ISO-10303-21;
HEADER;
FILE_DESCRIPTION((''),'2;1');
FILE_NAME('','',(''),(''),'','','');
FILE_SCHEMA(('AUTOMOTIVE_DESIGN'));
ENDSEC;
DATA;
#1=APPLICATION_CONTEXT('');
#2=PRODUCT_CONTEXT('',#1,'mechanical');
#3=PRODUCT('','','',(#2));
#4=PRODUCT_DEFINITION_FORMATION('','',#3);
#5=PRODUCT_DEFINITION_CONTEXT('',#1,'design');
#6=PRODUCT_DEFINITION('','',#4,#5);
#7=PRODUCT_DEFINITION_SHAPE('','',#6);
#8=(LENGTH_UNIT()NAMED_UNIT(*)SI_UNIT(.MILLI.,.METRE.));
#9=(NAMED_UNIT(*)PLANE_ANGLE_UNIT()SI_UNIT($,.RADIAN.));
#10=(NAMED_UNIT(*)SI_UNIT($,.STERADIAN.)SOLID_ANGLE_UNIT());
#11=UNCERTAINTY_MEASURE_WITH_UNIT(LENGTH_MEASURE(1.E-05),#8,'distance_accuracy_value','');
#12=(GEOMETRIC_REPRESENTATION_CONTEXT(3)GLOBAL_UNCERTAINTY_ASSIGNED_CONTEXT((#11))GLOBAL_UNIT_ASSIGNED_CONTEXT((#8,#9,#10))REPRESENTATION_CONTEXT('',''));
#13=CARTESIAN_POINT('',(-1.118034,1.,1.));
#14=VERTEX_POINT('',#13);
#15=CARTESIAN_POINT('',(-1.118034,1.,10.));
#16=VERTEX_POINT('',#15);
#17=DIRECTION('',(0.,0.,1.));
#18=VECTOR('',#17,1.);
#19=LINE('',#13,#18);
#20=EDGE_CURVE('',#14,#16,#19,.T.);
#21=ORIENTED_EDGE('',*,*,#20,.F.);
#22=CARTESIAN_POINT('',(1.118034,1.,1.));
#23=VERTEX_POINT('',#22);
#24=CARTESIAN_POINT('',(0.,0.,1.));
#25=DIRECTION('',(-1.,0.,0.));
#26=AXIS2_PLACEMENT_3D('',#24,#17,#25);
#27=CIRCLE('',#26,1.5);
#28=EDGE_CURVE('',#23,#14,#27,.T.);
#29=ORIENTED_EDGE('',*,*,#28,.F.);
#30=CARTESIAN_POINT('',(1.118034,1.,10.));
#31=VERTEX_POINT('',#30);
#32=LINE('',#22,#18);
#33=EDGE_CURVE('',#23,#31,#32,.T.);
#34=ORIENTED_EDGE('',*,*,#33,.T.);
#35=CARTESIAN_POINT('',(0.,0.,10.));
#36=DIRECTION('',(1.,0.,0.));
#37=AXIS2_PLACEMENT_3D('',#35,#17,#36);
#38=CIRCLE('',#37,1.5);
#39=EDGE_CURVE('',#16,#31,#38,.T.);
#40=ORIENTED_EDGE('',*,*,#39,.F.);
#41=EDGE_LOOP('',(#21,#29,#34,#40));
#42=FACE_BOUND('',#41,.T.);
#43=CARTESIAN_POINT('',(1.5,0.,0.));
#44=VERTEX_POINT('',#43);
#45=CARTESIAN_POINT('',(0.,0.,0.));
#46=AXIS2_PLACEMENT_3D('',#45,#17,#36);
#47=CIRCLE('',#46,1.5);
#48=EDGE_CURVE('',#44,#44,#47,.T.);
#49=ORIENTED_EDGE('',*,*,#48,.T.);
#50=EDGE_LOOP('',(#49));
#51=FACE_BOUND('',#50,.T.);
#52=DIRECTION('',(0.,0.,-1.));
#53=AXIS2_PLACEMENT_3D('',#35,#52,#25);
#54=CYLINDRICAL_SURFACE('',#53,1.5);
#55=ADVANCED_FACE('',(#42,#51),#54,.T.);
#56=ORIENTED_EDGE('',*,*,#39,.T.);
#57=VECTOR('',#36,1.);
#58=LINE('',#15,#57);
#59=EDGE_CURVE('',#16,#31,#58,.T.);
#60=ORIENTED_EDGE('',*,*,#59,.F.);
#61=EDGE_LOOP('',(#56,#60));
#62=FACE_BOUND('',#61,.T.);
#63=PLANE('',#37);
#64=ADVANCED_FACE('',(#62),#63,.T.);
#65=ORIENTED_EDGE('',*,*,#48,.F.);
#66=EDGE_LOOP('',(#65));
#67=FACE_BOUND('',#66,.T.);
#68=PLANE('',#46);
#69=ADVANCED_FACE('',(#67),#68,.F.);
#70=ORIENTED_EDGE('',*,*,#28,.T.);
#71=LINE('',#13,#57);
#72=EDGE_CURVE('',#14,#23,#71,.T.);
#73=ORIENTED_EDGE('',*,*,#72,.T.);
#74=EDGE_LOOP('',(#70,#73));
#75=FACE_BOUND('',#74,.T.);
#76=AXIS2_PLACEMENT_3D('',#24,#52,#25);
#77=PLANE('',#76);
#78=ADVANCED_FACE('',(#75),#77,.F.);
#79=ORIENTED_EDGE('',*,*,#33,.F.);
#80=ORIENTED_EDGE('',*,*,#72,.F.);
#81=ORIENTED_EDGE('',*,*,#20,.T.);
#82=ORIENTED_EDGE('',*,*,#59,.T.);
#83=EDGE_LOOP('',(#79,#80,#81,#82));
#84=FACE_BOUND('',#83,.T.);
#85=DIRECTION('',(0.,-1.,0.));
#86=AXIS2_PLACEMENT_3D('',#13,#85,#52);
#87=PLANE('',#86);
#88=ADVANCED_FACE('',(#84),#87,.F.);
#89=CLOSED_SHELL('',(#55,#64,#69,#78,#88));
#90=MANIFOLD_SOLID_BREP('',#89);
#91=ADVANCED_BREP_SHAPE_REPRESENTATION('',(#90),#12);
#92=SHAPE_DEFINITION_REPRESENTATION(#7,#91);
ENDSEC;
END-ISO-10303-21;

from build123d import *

# Parameters (mm, degrees)
SKETCH_1_R          = 1.5
EXTRUDE_1_DEPTH     = 10
CUT_EXTRUDE_1_DEPTH = 9


with BuildPart() as part:
    # 草图1 → 凸台-拉伸1 (new body)
    with BuildSketch(Plane.XY):
        Circle(SKETCH_1_R)
    extrude(amount=EXTRUDE_1_DEPTH)

    # 草图2 → 切除-拉伸1 (cut)
    with BuildSketch(Plane.XY.offset(10)):
        with BuildLine():
            Line((-1.118033989, 1), (1.118033989, 1))
            ThreePointArc((1.118033989, 1), (0, 1.5), (-1.118033989, 1))
        make_face()
    extrude(amount=-CUT_EXTRUDE_1_DEPTH, mode=Mode.SUBTRACT)


solid = part.part
